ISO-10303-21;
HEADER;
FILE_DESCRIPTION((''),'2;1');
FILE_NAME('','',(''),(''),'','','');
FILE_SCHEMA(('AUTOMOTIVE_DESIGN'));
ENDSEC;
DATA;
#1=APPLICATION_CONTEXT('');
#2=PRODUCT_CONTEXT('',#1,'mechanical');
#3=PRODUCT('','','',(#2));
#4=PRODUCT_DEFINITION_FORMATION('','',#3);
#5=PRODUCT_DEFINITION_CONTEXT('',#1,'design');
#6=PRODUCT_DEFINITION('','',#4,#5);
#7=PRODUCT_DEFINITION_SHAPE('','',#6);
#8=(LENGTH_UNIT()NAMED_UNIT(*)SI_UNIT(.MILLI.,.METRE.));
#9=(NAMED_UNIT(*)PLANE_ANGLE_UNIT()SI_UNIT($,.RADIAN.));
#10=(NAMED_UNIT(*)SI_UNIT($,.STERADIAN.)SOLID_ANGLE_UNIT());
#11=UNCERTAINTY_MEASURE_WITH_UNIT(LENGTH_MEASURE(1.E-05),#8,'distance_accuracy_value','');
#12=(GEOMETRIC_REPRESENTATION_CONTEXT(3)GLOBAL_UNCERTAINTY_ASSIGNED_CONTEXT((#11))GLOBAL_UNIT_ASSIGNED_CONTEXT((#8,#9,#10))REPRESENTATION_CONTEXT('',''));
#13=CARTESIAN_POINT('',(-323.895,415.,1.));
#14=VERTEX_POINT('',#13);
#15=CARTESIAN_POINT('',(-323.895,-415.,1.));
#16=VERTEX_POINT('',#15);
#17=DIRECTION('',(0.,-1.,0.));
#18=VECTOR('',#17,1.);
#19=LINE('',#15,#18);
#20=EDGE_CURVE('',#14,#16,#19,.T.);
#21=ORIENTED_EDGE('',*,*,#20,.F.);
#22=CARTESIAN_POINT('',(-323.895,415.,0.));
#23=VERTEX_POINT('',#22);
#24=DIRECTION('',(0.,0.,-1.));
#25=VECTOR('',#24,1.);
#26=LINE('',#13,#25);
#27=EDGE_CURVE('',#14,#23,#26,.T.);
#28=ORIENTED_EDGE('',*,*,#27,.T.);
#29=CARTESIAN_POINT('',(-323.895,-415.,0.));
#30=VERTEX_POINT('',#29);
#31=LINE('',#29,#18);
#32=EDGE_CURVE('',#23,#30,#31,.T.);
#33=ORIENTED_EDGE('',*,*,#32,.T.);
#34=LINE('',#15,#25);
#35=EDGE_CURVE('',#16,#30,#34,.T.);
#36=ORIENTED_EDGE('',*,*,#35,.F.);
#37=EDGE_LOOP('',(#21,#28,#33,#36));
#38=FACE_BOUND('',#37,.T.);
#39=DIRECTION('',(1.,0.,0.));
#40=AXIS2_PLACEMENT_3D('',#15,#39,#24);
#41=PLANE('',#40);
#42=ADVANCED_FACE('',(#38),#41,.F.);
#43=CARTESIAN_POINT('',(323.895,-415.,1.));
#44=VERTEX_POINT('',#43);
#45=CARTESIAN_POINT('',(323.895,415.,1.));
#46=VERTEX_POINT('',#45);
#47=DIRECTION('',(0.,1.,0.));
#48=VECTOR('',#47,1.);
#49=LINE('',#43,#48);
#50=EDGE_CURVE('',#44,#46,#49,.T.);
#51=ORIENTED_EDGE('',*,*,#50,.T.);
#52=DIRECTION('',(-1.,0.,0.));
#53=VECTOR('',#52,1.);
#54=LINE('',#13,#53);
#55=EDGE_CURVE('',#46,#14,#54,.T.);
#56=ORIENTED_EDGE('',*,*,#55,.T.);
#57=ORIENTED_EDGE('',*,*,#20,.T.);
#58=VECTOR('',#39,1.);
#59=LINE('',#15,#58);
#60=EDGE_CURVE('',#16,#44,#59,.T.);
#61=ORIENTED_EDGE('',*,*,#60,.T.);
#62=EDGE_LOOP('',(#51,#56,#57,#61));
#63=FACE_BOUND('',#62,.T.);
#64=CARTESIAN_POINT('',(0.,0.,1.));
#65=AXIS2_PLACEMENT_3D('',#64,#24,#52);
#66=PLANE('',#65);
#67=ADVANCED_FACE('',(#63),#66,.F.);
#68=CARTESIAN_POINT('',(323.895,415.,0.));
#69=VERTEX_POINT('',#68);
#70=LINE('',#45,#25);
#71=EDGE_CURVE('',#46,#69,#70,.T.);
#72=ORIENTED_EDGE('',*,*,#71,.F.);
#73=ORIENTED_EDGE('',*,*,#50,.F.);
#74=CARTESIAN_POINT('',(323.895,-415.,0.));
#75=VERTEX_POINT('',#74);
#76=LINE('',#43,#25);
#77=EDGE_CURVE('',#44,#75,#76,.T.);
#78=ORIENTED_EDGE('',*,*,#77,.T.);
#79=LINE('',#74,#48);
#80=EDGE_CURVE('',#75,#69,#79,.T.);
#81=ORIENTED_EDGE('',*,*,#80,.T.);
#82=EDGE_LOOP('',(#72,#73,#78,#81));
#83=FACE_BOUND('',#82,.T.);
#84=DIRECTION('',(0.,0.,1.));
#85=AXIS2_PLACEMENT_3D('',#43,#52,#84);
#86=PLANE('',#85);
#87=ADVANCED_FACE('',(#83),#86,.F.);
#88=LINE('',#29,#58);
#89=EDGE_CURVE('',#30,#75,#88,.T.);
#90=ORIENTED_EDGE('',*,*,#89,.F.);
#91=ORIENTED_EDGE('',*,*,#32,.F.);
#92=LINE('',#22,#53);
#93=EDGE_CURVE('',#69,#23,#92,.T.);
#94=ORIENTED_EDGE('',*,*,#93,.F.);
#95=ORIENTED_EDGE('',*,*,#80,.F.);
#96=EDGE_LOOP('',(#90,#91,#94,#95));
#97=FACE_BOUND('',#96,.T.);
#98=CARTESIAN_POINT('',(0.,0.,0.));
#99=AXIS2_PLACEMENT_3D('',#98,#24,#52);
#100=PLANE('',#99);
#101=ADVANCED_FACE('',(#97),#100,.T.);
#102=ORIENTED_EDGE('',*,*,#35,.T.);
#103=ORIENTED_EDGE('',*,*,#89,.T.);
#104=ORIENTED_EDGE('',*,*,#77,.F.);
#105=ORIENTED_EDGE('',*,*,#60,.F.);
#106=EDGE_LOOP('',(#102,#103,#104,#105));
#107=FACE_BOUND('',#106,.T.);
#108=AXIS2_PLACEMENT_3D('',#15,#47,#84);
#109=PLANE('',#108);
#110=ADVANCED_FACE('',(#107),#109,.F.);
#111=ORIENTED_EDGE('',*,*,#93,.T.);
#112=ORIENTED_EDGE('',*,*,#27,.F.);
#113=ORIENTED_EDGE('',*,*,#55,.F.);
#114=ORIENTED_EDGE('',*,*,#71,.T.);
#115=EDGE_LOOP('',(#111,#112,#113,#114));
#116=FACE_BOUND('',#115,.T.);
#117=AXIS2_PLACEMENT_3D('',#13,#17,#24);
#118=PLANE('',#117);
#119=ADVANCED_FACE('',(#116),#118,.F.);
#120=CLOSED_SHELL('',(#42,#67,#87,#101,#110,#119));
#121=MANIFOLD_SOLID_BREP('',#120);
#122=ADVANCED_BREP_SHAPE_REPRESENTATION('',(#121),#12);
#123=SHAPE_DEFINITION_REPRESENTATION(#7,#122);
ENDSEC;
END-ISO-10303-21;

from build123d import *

# Parameters (mm, degrees)
CROQUIS1_W              = 647.79
CROQUIS1_H              = 830
SALIENTE_EXTRUIR1_DEPTH = 1


with BuildPart() as part:
    # Croquis1 → Saliente-Extruir1 (new body)
    with BuildSketch(Plane.XY):
        Rectangle(CROQUIS1_W, CROQUIS1_H)
    extrude(amount=SALIENTE_EXTRUIR1_DEPTH)


solid = part.part
